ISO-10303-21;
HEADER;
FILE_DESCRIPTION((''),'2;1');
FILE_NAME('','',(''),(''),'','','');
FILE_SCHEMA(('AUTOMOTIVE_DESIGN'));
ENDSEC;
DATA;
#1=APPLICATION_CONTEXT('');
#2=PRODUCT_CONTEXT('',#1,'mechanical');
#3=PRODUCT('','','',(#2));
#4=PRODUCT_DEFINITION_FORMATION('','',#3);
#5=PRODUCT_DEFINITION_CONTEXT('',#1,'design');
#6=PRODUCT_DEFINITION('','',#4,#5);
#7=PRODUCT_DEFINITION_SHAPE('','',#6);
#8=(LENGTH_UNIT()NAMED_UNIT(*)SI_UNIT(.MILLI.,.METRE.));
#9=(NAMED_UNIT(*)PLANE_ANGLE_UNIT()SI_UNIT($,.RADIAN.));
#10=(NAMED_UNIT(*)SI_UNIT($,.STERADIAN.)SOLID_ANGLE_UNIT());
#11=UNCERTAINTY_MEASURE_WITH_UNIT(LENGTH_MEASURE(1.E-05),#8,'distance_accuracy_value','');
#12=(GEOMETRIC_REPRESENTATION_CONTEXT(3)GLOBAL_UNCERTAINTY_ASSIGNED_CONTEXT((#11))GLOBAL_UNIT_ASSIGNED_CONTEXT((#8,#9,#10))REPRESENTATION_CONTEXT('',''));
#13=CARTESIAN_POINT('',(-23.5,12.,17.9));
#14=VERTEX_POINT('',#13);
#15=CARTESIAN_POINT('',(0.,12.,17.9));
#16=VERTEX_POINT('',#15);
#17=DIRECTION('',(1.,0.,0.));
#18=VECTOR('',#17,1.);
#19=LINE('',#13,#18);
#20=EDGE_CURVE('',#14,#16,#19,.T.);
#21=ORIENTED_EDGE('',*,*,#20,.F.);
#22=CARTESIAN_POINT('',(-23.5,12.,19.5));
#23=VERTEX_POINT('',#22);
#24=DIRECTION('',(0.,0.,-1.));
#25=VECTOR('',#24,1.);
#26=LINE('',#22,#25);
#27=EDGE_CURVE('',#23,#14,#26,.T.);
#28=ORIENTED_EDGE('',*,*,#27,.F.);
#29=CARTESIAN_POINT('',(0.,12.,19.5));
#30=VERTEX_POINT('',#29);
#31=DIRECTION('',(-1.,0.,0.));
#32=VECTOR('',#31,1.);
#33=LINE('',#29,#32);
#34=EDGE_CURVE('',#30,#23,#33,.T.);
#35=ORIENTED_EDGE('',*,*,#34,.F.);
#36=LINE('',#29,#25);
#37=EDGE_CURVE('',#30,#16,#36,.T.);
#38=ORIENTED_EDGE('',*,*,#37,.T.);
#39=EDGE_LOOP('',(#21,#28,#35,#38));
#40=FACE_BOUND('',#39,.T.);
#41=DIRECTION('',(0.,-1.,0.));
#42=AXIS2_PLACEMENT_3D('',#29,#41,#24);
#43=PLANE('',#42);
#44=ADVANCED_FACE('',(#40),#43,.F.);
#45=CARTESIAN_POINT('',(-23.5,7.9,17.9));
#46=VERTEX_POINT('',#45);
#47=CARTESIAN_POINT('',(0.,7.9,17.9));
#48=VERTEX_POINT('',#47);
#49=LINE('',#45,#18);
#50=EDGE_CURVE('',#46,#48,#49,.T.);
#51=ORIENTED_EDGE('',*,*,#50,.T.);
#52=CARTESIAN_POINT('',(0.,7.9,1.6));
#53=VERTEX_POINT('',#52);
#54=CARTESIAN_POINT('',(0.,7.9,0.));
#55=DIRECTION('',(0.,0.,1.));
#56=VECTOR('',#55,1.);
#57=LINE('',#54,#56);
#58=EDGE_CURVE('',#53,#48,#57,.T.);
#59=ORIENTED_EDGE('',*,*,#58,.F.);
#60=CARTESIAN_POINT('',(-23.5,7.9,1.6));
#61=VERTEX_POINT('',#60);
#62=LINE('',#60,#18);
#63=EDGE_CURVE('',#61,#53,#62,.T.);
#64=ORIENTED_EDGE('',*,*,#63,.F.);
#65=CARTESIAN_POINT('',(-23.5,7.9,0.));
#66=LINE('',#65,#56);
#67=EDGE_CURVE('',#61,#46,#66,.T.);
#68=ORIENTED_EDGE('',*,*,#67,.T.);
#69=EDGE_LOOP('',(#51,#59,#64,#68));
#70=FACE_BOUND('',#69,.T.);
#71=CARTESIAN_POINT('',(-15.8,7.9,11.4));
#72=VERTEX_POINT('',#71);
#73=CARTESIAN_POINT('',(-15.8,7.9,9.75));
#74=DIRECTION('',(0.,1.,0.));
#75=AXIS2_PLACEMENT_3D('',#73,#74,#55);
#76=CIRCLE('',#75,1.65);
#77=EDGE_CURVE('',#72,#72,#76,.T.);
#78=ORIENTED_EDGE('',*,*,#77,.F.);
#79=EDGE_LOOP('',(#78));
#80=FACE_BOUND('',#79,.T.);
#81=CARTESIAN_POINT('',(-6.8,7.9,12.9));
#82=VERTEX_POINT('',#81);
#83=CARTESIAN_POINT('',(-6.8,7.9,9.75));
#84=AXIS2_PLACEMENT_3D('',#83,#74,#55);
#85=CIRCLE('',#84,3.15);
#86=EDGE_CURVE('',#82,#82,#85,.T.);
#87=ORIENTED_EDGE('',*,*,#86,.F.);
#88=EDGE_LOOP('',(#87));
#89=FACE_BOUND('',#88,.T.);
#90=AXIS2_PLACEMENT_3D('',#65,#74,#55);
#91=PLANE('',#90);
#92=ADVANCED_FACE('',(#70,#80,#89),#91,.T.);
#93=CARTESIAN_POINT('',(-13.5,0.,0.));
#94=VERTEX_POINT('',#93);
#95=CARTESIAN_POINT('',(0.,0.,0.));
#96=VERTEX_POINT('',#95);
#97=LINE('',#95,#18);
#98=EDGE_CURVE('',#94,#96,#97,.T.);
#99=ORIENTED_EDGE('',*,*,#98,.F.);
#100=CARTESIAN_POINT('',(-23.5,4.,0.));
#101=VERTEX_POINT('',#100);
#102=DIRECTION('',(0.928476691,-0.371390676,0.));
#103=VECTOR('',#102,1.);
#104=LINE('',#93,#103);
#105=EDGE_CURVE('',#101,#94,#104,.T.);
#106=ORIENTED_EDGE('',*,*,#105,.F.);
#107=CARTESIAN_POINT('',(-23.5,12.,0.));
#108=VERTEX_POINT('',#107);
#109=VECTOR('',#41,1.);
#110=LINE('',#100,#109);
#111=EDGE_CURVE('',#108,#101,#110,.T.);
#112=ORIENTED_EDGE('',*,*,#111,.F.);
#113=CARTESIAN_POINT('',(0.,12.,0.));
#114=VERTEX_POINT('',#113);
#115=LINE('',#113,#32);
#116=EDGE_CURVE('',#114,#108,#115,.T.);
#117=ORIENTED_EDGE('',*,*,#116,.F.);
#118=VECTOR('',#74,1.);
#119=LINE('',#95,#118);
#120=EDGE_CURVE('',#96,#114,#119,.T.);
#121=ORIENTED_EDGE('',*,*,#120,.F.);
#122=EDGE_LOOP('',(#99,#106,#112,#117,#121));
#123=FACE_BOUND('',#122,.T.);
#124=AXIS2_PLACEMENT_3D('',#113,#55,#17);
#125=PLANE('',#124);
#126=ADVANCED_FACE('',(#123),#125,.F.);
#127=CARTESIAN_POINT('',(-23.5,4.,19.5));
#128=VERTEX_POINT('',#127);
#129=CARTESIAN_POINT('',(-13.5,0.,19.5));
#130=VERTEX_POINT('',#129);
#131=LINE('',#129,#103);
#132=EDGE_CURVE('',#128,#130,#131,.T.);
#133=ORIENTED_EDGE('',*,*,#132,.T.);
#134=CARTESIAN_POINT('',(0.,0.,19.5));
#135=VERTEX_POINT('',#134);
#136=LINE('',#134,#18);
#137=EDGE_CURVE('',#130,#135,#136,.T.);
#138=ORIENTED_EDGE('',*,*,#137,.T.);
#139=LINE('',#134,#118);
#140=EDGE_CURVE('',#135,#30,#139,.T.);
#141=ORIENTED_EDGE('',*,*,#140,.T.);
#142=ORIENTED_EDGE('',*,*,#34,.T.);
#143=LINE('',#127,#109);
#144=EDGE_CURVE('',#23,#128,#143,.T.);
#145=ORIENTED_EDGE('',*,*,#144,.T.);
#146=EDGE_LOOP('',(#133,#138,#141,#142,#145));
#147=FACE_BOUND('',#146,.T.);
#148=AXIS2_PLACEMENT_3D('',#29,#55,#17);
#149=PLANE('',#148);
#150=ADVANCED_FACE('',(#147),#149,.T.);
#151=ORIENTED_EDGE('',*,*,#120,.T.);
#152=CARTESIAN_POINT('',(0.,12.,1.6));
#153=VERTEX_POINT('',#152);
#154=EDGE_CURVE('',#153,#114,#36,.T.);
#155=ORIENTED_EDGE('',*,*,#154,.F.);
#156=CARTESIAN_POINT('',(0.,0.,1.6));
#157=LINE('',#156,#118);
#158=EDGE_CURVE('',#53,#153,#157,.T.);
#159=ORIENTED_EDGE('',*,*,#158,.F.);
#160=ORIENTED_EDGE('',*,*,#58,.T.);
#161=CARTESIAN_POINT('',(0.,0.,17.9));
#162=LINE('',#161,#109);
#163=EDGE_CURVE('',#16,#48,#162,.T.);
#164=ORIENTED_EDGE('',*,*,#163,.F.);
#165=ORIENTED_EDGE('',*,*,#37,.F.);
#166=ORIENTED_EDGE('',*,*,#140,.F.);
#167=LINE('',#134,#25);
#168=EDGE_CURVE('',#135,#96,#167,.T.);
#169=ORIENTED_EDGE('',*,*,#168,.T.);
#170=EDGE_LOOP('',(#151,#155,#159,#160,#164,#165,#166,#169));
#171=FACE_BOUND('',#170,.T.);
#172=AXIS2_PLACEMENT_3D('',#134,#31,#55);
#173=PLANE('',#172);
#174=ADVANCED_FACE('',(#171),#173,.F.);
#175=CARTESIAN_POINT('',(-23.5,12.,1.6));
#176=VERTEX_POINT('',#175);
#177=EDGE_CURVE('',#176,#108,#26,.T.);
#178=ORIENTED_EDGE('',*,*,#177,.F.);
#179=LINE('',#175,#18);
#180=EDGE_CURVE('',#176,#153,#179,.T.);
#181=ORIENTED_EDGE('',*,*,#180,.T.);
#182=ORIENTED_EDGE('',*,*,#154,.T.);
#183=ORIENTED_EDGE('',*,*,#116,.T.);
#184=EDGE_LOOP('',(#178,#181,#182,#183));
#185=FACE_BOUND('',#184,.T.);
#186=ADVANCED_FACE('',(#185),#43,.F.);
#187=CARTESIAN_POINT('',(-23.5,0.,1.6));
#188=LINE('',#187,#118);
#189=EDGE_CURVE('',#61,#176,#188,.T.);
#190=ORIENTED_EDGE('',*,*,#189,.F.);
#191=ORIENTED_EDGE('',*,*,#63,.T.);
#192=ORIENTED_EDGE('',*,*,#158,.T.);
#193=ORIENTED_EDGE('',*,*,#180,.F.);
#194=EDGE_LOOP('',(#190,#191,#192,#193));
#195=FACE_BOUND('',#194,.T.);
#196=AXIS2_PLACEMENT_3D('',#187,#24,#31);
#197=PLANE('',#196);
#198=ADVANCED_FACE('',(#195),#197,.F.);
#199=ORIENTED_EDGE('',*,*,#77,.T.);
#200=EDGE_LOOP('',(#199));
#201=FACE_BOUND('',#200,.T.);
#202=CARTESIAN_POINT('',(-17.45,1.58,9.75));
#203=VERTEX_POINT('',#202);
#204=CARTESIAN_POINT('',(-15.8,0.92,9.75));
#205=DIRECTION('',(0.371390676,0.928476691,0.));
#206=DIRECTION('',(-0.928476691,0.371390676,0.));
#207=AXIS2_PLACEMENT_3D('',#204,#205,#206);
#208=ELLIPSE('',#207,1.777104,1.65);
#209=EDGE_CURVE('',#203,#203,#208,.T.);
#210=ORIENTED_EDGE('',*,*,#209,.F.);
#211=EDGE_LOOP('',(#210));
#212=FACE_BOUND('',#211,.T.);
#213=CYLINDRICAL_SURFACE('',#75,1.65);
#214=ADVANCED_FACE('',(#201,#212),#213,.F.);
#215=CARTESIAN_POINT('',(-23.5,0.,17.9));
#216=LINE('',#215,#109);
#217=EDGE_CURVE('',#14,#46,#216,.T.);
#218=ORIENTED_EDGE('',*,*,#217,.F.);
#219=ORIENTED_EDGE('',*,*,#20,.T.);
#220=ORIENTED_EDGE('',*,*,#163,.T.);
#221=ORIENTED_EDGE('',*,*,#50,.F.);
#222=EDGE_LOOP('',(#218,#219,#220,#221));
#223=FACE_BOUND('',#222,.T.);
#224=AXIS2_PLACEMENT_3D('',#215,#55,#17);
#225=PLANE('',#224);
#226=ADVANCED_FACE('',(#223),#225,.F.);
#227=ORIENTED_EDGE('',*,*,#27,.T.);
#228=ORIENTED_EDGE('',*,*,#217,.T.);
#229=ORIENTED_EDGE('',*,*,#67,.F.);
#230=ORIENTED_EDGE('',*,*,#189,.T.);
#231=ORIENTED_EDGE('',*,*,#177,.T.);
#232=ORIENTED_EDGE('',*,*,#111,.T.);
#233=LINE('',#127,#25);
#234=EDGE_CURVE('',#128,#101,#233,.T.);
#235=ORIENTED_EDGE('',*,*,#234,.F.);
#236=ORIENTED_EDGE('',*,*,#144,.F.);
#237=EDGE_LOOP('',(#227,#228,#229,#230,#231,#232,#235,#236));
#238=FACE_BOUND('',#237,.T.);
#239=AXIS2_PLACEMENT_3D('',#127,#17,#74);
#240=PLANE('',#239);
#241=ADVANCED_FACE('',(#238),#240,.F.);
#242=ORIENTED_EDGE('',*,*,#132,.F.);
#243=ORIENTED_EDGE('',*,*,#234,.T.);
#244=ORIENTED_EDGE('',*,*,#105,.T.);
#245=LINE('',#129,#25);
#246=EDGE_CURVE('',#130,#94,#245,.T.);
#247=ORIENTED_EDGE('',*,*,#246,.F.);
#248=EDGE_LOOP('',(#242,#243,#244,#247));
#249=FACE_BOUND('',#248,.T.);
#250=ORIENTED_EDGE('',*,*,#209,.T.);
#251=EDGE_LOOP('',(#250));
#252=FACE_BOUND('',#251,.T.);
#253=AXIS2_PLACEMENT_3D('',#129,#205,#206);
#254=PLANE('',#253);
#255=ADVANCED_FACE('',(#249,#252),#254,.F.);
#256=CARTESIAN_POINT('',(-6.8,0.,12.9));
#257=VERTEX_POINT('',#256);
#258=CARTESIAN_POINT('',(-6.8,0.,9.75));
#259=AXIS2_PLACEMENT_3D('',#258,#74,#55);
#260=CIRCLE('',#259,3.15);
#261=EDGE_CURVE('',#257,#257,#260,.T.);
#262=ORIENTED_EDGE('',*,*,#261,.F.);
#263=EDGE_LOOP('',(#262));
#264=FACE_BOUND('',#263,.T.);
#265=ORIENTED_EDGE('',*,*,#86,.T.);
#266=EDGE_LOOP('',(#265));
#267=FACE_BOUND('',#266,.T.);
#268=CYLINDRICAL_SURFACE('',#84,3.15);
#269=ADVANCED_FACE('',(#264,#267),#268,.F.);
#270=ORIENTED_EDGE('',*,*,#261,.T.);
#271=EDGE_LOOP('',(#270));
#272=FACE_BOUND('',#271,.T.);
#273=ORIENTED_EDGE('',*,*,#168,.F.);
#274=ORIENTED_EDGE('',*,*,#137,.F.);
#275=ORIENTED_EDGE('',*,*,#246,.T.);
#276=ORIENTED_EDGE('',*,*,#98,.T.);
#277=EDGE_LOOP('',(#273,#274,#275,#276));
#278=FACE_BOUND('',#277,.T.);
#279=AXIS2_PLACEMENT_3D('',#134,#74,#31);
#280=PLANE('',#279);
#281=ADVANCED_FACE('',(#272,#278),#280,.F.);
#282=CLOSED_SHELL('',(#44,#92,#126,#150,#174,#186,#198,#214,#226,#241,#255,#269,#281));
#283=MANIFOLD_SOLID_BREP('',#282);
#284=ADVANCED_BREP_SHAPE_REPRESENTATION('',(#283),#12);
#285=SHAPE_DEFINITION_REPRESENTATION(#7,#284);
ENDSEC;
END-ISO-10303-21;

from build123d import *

# Parameters (mm, degrees)
EXTRUDE1_DEPTH            = 19.5
SKETCH2_W                 = 16.3
SKETCH2_H                 = 4.1
CUT_EXTRUDE1_DEPTH        = 33.810059433
M6_3_6_3_DIAMETER_HOLE1_D = 6.3
M4X0_7_TAPPED_HOLE1_D     = 3.3
M4X0_7_TAPPED_HOLE1_DEPTH = 10.1
M4X0_7_TAPPED_HOLE1_TIP   = 0.991420021


with BuildPart() as part:
    # Sketch1 → Extrude1 (new body)
    with BuildSketch(Plane.XY):
        Polygon((-13.5, 0), (-23.5, 4), (-23.5, 12), (0, 12), (0, 0), align=None)
    extrude(amount=EXTRUDE1_DEPTH)

    # Sketch2 → Cut-Extrude1 (cut, through all)
    with BuildSketch(Plane(origin=(0, 0, 0), x_dir=(0, 0, -1), z_dir=(1, 0, 0))):
        with Locations((-9.75, 9.95)):
            Rectangle(SKETCH2_W, SKETCH2_H)
    extrude(amount=-CUT_EXTRUDE1_DEPTH, mode=Mode.SUBTRACT)

    # M6.3 (6.3) Diameter Hole1 (through all)
    with Locations(Plane(origin=(-6.8, 7.9, 9.75), x_dir=(0, 0, 1), z_dir=(0, 1, 0))):
        with Locations((0, 0)):
            Hole(M6_3_6_3_DIAMETER_HOLE1_D / 2)

    # M4x0.7 Tapped Hole1
    with Locations(Plane(origin=(-15.8, 7.9, 9.75), x_dir=(0, 0, 1), z_dir=(0, 1, 0))):
        with Locations((0, 0)):
            Hole(M4X0_7_TAPPED_HOLE1_D / 2, depth=M4X0_7_TAPPED_HOLE1_DEPTH)
            with Locations((0, 0, -(M4X0_7_TAPPED_HOLE1_DEPTH + M4X0_7_TAPPED_HOLE1_TIP / 2))):  # 118° drill point
                Cone(0, M4X0_7_TAPPED_HOLE1_D / 2, M4X0_7_TAPPED_HOLE1_TIP, mode=Mode.SUBTRACT)


solid = part.part
